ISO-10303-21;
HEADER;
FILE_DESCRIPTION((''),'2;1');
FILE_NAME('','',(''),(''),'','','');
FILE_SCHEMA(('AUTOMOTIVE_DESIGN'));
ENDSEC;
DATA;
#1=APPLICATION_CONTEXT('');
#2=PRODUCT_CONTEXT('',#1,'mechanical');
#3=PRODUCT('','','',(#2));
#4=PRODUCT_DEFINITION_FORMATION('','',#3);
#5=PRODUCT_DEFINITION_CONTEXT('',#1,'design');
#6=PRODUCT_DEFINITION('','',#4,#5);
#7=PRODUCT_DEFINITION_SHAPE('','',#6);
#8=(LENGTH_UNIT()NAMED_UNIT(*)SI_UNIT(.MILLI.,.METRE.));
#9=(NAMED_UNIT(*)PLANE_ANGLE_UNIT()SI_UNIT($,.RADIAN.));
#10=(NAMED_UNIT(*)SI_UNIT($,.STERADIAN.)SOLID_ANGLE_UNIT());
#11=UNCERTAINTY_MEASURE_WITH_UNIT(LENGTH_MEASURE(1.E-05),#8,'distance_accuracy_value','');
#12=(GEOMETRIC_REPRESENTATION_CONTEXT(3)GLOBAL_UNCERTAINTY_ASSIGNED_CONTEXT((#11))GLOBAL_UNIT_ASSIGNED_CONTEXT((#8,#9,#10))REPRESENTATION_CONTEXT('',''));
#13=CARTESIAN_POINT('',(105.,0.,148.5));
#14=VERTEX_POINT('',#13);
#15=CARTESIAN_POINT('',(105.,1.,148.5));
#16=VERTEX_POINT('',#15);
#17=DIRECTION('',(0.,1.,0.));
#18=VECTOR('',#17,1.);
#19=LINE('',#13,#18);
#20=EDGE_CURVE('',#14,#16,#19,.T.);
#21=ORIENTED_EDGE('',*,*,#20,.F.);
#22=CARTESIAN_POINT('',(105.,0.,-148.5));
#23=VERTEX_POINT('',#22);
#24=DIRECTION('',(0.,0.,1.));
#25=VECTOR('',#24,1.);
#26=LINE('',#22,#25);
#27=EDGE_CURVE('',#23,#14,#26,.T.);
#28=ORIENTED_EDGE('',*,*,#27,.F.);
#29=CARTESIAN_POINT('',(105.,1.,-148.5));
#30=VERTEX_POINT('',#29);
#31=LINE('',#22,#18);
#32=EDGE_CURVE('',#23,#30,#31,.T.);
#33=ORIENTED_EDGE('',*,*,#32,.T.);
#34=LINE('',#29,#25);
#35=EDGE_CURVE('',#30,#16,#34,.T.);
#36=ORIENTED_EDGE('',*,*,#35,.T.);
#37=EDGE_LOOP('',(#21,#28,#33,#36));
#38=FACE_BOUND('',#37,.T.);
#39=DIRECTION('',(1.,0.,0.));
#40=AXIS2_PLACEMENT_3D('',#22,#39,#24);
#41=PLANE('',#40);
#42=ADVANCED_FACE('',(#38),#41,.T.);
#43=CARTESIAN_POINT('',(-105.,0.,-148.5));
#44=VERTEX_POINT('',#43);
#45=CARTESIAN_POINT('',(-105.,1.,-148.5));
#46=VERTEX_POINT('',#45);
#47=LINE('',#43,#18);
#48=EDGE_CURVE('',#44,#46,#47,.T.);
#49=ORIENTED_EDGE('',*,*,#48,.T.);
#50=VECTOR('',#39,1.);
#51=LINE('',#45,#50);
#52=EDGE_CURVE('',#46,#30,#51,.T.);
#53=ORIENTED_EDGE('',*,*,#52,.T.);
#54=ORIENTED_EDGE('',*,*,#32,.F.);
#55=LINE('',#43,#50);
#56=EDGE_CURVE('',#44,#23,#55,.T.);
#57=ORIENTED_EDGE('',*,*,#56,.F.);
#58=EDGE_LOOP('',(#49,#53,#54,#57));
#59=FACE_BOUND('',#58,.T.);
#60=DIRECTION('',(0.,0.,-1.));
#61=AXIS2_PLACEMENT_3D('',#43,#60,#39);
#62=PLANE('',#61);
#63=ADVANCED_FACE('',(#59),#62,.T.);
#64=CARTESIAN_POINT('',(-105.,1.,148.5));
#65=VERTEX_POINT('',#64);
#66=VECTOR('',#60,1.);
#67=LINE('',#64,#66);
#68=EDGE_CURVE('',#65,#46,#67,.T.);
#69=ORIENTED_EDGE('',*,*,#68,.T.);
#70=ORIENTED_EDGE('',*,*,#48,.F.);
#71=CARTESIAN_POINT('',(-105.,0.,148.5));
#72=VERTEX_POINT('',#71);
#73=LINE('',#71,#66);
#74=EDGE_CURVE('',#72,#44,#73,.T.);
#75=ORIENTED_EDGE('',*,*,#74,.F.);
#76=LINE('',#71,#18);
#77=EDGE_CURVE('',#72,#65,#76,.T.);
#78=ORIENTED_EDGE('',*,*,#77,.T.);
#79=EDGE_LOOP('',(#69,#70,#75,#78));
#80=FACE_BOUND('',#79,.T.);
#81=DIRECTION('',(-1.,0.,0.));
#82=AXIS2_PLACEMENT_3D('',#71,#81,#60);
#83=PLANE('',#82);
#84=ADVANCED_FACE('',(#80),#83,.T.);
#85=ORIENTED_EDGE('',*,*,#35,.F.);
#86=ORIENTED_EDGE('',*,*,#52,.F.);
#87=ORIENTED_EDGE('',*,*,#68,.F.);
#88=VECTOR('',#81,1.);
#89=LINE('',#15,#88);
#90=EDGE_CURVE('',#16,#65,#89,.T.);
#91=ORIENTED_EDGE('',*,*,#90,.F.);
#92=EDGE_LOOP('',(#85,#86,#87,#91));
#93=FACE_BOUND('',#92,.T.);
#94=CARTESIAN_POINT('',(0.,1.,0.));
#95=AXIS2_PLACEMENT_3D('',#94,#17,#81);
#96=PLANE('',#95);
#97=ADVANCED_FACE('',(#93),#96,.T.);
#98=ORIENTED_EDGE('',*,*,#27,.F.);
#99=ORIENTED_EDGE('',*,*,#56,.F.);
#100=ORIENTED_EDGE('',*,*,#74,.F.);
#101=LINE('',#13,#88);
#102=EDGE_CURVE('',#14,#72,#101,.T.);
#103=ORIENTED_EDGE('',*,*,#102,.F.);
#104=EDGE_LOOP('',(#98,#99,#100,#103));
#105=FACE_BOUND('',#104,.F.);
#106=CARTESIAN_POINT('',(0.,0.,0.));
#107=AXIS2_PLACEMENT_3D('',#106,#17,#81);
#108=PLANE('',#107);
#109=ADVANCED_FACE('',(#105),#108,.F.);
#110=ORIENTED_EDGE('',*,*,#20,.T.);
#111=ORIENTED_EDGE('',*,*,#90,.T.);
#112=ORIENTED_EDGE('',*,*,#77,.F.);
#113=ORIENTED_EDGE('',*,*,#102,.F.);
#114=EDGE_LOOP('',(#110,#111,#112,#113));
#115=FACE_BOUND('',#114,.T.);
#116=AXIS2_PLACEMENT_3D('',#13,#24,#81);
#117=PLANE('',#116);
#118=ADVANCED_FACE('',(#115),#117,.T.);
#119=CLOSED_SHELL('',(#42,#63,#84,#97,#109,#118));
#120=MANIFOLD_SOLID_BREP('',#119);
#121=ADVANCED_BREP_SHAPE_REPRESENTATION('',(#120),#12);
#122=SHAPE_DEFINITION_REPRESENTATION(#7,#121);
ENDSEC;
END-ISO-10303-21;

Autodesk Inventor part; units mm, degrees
ref_plane "YZ Plane" through (0, 0, 0) normal (1, 0, 0) x (0, 1, 0)
ref_plane "XZ Plane" through (0, 0, 0) normal (0, 1, 0) x (-1, 0, 0)
ref_plane "XY Plane" through (0, 0, 0) normal (0, 0, 1) x (1, 0, 0)
sketch "Sketch1" plane through (0, 0, 0) normal (0, 1, 0) x (-1, 0, 0)
  line L0 (-105, 148.5) -> (105, 148.5)
  line L1 (105, 148.5) -> (105, -148.5)
  line L2 (105, -148.5) -> (-105, -148.5)
  line L3 (-105, -148.5) -> (-105, 148.5)
  line L4 (-105, 148.5) -> (105, -148.5) construction
  line L5 (105, 148.5) -> (-105, -148.5) construction
  point P0 (0, 0)
  dimension "d0" = 210
  dimension "d1" = 297
extrude "Extrusion1" add sketch "Sketch1" along normal blind 1
properties part number "A4"
